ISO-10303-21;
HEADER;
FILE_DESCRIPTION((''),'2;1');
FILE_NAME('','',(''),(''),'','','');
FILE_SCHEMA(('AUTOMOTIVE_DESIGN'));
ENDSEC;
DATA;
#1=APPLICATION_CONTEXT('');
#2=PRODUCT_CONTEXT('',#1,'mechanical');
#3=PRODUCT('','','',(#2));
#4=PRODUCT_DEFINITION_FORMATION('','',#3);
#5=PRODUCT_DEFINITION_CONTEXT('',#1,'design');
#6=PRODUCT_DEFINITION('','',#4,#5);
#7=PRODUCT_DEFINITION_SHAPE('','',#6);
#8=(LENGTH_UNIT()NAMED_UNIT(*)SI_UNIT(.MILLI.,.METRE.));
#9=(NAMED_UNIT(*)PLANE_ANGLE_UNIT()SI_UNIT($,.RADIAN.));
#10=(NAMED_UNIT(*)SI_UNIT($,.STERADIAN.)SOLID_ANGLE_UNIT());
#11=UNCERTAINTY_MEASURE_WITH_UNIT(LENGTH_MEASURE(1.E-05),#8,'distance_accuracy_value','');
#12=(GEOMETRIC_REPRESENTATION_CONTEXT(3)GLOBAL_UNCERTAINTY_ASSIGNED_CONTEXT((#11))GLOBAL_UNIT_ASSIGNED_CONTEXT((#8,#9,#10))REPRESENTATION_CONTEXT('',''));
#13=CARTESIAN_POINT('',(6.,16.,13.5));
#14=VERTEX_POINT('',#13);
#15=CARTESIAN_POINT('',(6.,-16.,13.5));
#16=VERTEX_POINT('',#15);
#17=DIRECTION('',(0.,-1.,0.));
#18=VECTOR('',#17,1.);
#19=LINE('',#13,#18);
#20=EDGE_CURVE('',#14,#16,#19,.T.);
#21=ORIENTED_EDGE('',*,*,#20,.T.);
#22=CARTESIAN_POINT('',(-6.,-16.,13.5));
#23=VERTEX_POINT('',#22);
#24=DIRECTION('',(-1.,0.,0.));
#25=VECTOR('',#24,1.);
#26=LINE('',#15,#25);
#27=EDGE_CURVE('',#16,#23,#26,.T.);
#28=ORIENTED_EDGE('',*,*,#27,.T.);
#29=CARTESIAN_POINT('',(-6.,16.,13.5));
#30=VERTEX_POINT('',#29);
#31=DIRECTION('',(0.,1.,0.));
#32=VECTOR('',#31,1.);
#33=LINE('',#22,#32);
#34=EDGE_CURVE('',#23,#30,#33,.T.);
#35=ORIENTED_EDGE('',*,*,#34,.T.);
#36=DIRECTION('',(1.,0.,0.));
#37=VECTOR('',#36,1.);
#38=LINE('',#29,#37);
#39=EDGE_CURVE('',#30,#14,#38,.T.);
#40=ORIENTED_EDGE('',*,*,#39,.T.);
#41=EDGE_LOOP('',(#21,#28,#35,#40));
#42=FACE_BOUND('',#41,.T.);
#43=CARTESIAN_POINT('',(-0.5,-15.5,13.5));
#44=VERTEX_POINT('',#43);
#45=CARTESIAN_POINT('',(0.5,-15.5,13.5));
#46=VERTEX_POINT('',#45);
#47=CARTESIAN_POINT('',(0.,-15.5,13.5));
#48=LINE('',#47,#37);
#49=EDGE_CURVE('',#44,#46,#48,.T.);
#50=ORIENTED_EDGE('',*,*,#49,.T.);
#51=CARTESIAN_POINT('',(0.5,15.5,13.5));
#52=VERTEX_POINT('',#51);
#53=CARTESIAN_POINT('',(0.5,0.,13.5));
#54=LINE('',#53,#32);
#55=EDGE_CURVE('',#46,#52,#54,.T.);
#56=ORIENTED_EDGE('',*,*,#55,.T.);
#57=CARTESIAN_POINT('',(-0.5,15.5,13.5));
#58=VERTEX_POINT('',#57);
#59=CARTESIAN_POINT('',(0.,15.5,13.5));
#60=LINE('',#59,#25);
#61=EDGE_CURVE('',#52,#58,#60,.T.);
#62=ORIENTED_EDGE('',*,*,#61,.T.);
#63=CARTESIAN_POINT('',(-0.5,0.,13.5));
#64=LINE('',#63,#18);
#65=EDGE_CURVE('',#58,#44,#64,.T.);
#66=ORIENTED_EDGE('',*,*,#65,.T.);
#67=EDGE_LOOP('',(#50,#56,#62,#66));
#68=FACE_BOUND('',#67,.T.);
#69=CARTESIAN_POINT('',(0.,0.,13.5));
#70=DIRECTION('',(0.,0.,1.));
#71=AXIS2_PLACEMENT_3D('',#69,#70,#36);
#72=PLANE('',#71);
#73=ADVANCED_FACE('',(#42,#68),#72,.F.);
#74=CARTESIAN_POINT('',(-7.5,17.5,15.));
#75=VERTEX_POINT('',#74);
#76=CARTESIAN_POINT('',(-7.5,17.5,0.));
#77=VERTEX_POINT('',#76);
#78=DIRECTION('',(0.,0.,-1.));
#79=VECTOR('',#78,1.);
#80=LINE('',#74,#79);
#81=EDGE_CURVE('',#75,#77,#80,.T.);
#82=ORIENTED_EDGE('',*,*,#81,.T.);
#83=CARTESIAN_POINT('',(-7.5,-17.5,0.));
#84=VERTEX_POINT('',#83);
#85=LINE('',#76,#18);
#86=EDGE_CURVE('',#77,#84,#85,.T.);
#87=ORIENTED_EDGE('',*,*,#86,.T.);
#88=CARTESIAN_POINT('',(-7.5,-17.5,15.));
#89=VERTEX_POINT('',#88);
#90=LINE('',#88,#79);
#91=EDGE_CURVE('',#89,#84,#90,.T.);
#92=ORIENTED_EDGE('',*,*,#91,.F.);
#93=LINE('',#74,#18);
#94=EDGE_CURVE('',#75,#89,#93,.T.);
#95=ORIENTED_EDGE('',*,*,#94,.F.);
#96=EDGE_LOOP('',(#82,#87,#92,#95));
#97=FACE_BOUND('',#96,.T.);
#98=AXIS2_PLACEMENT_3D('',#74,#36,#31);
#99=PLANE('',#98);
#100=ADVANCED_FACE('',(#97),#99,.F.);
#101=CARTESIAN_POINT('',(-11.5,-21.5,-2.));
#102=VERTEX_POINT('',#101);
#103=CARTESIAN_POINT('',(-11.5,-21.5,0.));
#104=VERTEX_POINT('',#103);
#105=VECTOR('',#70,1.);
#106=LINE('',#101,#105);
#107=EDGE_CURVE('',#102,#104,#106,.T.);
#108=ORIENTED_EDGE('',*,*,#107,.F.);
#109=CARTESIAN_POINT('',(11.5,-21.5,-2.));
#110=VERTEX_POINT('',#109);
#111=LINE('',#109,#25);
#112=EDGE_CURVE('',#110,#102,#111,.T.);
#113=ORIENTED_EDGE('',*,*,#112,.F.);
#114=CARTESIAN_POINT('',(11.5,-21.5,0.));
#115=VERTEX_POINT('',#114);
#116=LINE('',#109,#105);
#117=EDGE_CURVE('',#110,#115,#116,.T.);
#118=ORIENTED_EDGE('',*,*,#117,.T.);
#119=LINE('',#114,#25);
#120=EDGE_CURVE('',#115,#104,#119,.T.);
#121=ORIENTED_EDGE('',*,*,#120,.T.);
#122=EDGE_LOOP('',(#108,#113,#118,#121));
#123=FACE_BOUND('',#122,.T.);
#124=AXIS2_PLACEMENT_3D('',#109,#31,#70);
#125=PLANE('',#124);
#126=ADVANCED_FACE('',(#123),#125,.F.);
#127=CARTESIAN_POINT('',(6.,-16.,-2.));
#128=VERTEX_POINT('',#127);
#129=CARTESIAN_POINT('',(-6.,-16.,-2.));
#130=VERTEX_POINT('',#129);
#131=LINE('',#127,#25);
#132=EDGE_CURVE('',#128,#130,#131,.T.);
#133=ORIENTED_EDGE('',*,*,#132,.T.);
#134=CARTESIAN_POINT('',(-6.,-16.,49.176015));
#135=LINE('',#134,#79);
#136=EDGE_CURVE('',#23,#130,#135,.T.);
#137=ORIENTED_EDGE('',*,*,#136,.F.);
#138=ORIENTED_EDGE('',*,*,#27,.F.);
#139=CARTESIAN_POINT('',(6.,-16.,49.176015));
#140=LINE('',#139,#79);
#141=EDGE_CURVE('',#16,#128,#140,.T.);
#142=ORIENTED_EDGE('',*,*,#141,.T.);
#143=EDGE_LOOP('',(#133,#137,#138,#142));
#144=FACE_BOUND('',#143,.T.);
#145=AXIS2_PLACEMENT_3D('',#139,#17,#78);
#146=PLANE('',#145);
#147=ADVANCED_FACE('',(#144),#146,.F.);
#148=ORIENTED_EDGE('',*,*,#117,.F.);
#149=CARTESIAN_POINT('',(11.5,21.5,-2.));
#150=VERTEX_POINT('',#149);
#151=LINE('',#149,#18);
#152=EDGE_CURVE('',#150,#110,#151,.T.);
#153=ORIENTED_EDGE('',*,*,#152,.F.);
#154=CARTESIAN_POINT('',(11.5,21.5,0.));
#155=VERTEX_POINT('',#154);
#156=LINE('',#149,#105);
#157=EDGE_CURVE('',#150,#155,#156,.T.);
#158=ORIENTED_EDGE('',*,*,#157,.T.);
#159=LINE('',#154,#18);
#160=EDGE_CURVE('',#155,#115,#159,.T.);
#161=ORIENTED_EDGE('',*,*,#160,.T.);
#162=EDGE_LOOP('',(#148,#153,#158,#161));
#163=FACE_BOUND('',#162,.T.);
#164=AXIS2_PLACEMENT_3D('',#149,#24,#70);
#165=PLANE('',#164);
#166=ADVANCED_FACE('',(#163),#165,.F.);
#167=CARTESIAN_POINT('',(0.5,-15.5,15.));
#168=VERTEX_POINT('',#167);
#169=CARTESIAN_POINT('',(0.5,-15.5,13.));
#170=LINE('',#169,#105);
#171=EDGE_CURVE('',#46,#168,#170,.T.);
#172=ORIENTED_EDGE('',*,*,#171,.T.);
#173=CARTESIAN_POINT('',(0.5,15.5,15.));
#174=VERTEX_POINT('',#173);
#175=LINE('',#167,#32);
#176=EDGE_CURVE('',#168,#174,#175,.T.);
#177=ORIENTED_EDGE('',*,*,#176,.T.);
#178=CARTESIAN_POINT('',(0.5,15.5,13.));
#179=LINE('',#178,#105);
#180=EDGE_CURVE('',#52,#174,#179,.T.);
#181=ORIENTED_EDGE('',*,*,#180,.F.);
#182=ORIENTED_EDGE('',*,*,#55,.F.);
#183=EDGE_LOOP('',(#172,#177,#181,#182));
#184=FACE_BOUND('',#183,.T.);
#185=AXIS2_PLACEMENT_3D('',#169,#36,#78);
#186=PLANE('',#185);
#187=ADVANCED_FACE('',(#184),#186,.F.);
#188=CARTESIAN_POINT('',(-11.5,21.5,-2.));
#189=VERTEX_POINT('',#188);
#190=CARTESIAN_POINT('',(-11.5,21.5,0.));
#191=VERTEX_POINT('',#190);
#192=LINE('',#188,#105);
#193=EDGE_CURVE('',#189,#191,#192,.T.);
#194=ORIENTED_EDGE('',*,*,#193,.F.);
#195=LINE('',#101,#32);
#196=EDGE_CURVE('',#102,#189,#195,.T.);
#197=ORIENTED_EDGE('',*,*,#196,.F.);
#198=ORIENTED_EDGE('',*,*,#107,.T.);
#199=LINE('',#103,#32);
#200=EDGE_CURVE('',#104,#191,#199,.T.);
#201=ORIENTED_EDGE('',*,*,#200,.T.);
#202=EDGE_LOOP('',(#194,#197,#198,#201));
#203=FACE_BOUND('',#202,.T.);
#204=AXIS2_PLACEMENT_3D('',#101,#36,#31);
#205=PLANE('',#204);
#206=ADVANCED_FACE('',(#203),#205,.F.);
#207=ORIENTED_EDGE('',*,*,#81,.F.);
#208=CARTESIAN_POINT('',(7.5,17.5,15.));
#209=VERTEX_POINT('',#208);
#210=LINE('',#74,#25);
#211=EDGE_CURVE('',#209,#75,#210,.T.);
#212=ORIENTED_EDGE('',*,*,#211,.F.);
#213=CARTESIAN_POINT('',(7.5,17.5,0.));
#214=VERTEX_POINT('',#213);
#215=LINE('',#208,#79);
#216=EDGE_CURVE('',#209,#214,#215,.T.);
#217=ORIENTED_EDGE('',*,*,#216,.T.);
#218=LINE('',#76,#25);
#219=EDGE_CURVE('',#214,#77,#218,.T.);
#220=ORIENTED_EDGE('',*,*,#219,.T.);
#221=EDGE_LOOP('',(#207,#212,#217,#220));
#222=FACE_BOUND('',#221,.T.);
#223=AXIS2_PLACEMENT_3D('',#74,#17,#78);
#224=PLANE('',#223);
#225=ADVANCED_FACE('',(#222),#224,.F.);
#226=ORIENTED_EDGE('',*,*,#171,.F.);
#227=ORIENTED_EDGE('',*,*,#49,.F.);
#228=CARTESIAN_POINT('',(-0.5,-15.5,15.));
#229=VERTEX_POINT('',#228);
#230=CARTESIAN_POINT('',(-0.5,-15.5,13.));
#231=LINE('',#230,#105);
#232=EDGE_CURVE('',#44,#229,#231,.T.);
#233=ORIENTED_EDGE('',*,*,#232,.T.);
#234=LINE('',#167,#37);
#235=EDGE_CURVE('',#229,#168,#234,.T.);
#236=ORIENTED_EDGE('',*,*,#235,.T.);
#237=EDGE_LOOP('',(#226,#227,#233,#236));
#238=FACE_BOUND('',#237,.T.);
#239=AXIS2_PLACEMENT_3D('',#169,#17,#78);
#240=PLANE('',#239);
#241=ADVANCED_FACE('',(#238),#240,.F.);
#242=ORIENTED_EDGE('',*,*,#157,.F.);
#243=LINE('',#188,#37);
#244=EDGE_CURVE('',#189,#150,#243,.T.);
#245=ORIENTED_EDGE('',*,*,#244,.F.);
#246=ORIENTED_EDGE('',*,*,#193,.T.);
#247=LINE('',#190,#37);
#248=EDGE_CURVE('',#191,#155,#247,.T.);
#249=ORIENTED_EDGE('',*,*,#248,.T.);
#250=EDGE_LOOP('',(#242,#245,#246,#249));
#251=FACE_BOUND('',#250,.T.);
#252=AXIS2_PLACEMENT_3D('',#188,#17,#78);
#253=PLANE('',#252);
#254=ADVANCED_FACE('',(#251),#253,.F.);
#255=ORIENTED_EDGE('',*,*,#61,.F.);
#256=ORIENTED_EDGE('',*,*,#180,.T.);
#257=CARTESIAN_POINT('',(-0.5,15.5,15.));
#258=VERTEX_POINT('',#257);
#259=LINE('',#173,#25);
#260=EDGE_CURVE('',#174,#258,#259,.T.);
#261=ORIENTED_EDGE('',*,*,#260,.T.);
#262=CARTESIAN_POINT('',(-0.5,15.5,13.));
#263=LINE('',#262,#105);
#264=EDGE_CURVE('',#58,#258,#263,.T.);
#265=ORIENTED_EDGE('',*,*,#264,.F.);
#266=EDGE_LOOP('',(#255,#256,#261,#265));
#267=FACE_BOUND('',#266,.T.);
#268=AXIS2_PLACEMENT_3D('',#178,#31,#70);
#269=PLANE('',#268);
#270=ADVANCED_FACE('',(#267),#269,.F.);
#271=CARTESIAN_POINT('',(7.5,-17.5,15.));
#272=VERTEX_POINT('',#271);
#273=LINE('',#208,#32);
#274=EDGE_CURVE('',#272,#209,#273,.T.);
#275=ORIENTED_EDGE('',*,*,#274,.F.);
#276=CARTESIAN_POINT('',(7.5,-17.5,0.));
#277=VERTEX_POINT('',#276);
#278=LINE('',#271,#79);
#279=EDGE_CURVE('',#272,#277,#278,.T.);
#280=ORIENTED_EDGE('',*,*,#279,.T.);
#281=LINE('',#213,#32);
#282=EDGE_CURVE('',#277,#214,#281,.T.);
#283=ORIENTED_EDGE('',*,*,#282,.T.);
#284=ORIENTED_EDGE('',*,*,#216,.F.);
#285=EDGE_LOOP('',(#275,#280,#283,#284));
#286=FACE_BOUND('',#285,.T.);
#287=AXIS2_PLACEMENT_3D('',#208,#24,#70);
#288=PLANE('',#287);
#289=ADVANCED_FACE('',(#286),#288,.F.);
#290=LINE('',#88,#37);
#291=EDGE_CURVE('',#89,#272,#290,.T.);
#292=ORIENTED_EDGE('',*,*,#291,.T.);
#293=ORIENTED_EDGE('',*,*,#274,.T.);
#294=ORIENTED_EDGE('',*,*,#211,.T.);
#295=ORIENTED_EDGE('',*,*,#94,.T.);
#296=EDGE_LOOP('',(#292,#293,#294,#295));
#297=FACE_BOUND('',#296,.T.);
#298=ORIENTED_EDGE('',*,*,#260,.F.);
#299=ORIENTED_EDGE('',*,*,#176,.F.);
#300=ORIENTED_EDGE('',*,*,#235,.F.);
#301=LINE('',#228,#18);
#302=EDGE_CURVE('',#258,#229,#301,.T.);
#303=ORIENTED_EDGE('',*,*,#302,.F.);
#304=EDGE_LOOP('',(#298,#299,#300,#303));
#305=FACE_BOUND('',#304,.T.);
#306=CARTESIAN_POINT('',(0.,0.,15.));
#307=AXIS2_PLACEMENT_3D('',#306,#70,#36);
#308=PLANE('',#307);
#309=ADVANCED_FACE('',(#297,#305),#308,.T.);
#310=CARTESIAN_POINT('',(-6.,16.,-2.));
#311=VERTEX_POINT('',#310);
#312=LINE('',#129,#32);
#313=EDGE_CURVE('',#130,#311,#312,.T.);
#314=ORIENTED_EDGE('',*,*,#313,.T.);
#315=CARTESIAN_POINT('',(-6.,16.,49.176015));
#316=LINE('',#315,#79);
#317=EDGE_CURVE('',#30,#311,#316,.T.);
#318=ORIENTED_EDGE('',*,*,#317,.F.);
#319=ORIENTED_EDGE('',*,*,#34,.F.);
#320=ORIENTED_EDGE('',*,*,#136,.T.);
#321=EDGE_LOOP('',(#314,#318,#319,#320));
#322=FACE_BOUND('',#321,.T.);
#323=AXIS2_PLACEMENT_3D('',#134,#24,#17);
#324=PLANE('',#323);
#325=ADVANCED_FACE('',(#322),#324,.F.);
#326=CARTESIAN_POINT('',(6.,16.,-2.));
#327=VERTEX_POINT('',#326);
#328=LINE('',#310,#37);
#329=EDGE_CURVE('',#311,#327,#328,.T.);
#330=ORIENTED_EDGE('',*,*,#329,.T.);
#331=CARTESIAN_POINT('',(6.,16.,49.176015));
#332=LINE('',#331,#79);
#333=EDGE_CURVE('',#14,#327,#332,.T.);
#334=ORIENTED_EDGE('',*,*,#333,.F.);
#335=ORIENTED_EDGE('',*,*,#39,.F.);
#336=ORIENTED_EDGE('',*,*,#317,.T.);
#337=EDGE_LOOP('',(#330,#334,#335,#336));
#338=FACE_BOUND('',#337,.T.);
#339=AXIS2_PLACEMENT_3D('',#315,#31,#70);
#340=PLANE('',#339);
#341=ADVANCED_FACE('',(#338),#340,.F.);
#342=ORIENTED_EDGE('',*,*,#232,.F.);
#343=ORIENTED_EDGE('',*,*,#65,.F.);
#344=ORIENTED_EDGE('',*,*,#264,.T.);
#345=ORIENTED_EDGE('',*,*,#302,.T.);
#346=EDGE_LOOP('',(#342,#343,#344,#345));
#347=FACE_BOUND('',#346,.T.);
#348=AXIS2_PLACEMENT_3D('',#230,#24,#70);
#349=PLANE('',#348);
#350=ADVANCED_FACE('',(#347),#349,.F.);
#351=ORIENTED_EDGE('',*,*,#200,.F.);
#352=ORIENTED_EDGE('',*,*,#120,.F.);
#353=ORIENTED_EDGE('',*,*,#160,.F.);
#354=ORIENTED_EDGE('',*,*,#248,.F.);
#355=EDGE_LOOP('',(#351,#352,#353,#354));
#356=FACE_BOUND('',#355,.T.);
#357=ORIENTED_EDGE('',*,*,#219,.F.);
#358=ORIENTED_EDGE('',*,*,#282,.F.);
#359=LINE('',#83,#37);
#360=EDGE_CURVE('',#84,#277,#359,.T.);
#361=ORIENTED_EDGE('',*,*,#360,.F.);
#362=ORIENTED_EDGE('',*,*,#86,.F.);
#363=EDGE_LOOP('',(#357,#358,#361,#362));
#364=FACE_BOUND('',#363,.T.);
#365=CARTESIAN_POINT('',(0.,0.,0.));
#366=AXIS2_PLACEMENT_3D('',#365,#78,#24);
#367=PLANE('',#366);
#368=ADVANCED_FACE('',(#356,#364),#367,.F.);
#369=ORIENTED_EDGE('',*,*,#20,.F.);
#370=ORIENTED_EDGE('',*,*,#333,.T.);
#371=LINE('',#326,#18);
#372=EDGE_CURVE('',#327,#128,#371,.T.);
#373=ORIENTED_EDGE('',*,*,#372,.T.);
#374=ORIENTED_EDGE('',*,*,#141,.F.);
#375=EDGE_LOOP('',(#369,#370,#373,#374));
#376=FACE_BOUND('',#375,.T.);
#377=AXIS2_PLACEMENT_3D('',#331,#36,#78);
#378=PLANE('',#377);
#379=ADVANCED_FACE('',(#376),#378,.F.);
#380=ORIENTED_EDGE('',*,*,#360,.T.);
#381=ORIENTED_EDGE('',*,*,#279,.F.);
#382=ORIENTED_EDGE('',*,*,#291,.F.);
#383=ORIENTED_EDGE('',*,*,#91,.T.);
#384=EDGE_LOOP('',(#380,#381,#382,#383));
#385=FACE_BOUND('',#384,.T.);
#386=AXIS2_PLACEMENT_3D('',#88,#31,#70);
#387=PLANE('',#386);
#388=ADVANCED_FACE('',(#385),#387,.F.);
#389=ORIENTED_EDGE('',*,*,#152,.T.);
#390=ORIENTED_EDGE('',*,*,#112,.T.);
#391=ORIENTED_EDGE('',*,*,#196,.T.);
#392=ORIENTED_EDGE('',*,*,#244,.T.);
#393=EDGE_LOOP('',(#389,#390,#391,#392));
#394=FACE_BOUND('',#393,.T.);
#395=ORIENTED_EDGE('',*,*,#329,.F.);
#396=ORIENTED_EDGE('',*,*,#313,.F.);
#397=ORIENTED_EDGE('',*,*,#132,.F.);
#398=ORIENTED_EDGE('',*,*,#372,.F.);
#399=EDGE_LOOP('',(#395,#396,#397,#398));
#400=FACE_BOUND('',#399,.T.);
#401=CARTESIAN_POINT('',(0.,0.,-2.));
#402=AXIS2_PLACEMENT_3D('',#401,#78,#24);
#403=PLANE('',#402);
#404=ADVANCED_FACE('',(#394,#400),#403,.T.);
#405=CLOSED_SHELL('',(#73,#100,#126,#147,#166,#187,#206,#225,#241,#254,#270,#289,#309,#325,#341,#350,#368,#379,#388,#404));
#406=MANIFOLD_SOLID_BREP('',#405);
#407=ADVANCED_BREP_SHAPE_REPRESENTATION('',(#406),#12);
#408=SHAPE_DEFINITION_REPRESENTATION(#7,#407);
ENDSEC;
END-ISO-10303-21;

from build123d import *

# Parameters (mm, degrees)
SKETCH1_W           = 15
SKETCH1_H           = 35
BOSS_EXTRUDE1_DEPTH = 15
SKETCH3_W           = 12
SKETCH3_H           = 32
CUT_EXTRUDE2_DEPTH  = 13.5
SKETCH4_W           = 23
SKETCH4_H           = 43
SKETCH4_W_2         = 12
SKETCH4_H_2         = 32
BOSS_EXTRUDE2_DEPTH = 2
SKETCH5_W           = 1
SKETCH5_H           = 31
CUT_EXTRUDE3_DEPTH  = 2


with BuildPart() as part:
    # Sketch1 → Boss-Extrude1 (new body)
    with BuildSketch(Plane.XY):
        Rectangle(SKETCH1_W, SKETCH1_H)
    extrude(amount=BOSS_EXTRUDE1_DEPTH)

    # Sketch3 → Cut-Extrude2 (cut)
    with BuildSketch(Plane(origin=(0, 0, 0), x_dir=(-1, 0, 0), z_dir=(0, 0, -1))):
        Rectangle(SKETCH3_W, SKETCH3_H)
    extrude(amount=-CUT_EXTRUDE2_DEPTH, mode=Mode.SUBTRACT)

    # Sketch4 → Boss-Extrude2 (add)
    with BuildSketch(Plane(origin=(0, 0, 0), x_dir=(-1, 0, 0), z_dir=(0, 0, -1))):
        Rectangle(SKETCH4_W, SKETCH4_H)
        Rectangle(SKETCH4_W_2, SKETCH4_H_2, mode=Mode.SUBTRACT)
    extrude(amount=BOSS_EXTRUDE2_DEPTH)

    # Sketch5 → Cut-Extrude3 (cut)
    with BuildSketch(Plane.XY.offset(15)):
        Rectangle(SKETCH5_W, SKETCH5_H)
    extrude(amount=-CUT_EXTRUDE3_DEPTH, mode=Mode.SUBTRACT)


solid = part.part
